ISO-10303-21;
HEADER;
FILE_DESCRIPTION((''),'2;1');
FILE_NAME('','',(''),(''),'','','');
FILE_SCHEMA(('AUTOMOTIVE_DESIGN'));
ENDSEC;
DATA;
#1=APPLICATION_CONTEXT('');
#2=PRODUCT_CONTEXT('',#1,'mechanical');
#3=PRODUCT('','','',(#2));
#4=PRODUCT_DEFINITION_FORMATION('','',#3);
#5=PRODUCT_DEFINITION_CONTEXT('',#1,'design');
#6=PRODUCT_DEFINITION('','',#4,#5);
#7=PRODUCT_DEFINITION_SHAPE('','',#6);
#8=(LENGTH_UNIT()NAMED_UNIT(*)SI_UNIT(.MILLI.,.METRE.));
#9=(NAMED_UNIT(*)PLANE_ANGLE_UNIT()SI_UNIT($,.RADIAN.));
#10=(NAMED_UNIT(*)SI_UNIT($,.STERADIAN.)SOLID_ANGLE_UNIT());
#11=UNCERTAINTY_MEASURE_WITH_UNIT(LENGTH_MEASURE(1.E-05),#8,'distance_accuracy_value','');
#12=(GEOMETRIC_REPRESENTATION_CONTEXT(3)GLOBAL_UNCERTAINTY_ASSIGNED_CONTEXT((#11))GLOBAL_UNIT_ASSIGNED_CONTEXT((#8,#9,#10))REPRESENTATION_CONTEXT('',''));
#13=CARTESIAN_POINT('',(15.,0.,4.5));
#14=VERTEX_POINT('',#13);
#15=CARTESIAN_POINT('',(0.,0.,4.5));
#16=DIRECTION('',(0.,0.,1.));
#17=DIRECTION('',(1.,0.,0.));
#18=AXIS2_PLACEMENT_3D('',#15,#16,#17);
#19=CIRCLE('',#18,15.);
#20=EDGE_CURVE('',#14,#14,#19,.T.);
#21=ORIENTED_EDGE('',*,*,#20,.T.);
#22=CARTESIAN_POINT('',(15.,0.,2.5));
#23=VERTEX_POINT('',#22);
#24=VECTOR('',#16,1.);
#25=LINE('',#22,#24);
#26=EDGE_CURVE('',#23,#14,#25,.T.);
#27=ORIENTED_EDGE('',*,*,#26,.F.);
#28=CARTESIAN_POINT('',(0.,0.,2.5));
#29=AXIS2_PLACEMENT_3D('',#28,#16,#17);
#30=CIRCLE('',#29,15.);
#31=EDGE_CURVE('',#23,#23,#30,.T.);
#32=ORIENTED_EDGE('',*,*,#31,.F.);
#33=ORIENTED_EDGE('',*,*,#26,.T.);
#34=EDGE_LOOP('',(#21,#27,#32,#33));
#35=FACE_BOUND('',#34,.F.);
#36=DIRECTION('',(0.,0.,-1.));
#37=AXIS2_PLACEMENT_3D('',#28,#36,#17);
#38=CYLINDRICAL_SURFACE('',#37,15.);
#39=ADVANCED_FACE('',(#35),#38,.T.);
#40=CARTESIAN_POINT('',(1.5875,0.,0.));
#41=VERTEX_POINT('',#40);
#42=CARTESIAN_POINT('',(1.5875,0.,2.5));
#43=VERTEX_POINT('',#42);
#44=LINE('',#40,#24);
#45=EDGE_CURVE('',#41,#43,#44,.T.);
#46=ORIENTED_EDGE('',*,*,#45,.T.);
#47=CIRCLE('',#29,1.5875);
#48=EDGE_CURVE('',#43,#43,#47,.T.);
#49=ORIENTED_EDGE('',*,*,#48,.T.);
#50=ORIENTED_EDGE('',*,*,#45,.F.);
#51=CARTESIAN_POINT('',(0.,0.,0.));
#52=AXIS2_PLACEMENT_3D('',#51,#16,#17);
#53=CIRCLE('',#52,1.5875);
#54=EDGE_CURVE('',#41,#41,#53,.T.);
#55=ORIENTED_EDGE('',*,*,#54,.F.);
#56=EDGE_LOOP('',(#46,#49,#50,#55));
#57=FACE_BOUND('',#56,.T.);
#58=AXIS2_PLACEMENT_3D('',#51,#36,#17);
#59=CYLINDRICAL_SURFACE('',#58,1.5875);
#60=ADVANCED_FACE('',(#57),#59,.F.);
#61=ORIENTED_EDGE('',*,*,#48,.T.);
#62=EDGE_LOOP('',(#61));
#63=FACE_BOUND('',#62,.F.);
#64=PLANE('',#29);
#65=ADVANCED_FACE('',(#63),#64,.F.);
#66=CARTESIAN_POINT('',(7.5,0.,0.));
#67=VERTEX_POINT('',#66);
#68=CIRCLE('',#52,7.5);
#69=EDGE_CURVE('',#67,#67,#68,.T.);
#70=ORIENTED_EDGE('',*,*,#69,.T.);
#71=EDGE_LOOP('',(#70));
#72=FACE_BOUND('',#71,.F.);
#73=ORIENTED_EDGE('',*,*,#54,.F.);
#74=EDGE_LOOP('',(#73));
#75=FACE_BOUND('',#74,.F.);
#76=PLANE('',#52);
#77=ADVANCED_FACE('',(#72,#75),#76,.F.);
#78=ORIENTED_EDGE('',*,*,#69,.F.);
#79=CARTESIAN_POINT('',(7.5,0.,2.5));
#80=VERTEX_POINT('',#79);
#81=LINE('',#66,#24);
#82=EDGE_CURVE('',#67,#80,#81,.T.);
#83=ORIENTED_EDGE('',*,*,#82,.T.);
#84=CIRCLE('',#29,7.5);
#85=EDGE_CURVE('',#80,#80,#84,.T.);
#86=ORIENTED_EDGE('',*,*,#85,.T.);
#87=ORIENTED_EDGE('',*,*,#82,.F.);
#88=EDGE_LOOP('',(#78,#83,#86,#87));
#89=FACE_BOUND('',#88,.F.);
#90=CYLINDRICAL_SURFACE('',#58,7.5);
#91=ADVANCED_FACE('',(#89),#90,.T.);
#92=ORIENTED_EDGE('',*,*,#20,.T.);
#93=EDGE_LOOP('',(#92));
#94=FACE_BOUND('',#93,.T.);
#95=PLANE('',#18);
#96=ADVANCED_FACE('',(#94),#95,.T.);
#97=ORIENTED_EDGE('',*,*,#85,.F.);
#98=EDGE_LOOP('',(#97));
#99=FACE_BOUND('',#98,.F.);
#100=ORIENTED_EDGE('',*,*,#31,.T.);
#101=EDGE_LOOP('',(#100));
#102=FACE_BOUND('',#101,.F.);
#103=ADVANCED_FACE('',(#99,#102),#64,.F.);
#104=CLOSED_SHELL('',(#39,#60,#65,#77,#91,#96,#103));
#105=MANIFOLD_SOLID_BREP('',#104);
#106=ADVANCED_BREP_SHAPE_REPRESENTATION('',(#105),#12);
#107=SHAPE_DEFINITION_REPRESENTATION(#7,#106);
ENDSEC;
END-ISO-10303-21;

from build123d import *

# Parameters (mm, degrees)
F0_R     = 7.5
F0_R_2   = 1.5875
F1_DEPTH = 2.5
F2_R     = 15
F2_R_2   = 7.5
F3_DEPTH = 2


with BuildPart() as f1:
    # F0 (on Top) → F1 (new body)
    with BuildSketch(Plane.XY):
        Circle(F0_R)
        Circle(F0_R_2, mode=Mode.SUBTRACT)
    extrude(amount=F1_DEPTH)

    # F2 (on face) → F3 (join)
    with BuildSketch(Plane.XY.offset(2.5)):
        Circle(F2_R)
        Circle(F2_R_2, mode=Mode.SUBTRACT)
        Circle(F2_R)
    extrude(amount=F3_DEPTH)


solid = f1.part
